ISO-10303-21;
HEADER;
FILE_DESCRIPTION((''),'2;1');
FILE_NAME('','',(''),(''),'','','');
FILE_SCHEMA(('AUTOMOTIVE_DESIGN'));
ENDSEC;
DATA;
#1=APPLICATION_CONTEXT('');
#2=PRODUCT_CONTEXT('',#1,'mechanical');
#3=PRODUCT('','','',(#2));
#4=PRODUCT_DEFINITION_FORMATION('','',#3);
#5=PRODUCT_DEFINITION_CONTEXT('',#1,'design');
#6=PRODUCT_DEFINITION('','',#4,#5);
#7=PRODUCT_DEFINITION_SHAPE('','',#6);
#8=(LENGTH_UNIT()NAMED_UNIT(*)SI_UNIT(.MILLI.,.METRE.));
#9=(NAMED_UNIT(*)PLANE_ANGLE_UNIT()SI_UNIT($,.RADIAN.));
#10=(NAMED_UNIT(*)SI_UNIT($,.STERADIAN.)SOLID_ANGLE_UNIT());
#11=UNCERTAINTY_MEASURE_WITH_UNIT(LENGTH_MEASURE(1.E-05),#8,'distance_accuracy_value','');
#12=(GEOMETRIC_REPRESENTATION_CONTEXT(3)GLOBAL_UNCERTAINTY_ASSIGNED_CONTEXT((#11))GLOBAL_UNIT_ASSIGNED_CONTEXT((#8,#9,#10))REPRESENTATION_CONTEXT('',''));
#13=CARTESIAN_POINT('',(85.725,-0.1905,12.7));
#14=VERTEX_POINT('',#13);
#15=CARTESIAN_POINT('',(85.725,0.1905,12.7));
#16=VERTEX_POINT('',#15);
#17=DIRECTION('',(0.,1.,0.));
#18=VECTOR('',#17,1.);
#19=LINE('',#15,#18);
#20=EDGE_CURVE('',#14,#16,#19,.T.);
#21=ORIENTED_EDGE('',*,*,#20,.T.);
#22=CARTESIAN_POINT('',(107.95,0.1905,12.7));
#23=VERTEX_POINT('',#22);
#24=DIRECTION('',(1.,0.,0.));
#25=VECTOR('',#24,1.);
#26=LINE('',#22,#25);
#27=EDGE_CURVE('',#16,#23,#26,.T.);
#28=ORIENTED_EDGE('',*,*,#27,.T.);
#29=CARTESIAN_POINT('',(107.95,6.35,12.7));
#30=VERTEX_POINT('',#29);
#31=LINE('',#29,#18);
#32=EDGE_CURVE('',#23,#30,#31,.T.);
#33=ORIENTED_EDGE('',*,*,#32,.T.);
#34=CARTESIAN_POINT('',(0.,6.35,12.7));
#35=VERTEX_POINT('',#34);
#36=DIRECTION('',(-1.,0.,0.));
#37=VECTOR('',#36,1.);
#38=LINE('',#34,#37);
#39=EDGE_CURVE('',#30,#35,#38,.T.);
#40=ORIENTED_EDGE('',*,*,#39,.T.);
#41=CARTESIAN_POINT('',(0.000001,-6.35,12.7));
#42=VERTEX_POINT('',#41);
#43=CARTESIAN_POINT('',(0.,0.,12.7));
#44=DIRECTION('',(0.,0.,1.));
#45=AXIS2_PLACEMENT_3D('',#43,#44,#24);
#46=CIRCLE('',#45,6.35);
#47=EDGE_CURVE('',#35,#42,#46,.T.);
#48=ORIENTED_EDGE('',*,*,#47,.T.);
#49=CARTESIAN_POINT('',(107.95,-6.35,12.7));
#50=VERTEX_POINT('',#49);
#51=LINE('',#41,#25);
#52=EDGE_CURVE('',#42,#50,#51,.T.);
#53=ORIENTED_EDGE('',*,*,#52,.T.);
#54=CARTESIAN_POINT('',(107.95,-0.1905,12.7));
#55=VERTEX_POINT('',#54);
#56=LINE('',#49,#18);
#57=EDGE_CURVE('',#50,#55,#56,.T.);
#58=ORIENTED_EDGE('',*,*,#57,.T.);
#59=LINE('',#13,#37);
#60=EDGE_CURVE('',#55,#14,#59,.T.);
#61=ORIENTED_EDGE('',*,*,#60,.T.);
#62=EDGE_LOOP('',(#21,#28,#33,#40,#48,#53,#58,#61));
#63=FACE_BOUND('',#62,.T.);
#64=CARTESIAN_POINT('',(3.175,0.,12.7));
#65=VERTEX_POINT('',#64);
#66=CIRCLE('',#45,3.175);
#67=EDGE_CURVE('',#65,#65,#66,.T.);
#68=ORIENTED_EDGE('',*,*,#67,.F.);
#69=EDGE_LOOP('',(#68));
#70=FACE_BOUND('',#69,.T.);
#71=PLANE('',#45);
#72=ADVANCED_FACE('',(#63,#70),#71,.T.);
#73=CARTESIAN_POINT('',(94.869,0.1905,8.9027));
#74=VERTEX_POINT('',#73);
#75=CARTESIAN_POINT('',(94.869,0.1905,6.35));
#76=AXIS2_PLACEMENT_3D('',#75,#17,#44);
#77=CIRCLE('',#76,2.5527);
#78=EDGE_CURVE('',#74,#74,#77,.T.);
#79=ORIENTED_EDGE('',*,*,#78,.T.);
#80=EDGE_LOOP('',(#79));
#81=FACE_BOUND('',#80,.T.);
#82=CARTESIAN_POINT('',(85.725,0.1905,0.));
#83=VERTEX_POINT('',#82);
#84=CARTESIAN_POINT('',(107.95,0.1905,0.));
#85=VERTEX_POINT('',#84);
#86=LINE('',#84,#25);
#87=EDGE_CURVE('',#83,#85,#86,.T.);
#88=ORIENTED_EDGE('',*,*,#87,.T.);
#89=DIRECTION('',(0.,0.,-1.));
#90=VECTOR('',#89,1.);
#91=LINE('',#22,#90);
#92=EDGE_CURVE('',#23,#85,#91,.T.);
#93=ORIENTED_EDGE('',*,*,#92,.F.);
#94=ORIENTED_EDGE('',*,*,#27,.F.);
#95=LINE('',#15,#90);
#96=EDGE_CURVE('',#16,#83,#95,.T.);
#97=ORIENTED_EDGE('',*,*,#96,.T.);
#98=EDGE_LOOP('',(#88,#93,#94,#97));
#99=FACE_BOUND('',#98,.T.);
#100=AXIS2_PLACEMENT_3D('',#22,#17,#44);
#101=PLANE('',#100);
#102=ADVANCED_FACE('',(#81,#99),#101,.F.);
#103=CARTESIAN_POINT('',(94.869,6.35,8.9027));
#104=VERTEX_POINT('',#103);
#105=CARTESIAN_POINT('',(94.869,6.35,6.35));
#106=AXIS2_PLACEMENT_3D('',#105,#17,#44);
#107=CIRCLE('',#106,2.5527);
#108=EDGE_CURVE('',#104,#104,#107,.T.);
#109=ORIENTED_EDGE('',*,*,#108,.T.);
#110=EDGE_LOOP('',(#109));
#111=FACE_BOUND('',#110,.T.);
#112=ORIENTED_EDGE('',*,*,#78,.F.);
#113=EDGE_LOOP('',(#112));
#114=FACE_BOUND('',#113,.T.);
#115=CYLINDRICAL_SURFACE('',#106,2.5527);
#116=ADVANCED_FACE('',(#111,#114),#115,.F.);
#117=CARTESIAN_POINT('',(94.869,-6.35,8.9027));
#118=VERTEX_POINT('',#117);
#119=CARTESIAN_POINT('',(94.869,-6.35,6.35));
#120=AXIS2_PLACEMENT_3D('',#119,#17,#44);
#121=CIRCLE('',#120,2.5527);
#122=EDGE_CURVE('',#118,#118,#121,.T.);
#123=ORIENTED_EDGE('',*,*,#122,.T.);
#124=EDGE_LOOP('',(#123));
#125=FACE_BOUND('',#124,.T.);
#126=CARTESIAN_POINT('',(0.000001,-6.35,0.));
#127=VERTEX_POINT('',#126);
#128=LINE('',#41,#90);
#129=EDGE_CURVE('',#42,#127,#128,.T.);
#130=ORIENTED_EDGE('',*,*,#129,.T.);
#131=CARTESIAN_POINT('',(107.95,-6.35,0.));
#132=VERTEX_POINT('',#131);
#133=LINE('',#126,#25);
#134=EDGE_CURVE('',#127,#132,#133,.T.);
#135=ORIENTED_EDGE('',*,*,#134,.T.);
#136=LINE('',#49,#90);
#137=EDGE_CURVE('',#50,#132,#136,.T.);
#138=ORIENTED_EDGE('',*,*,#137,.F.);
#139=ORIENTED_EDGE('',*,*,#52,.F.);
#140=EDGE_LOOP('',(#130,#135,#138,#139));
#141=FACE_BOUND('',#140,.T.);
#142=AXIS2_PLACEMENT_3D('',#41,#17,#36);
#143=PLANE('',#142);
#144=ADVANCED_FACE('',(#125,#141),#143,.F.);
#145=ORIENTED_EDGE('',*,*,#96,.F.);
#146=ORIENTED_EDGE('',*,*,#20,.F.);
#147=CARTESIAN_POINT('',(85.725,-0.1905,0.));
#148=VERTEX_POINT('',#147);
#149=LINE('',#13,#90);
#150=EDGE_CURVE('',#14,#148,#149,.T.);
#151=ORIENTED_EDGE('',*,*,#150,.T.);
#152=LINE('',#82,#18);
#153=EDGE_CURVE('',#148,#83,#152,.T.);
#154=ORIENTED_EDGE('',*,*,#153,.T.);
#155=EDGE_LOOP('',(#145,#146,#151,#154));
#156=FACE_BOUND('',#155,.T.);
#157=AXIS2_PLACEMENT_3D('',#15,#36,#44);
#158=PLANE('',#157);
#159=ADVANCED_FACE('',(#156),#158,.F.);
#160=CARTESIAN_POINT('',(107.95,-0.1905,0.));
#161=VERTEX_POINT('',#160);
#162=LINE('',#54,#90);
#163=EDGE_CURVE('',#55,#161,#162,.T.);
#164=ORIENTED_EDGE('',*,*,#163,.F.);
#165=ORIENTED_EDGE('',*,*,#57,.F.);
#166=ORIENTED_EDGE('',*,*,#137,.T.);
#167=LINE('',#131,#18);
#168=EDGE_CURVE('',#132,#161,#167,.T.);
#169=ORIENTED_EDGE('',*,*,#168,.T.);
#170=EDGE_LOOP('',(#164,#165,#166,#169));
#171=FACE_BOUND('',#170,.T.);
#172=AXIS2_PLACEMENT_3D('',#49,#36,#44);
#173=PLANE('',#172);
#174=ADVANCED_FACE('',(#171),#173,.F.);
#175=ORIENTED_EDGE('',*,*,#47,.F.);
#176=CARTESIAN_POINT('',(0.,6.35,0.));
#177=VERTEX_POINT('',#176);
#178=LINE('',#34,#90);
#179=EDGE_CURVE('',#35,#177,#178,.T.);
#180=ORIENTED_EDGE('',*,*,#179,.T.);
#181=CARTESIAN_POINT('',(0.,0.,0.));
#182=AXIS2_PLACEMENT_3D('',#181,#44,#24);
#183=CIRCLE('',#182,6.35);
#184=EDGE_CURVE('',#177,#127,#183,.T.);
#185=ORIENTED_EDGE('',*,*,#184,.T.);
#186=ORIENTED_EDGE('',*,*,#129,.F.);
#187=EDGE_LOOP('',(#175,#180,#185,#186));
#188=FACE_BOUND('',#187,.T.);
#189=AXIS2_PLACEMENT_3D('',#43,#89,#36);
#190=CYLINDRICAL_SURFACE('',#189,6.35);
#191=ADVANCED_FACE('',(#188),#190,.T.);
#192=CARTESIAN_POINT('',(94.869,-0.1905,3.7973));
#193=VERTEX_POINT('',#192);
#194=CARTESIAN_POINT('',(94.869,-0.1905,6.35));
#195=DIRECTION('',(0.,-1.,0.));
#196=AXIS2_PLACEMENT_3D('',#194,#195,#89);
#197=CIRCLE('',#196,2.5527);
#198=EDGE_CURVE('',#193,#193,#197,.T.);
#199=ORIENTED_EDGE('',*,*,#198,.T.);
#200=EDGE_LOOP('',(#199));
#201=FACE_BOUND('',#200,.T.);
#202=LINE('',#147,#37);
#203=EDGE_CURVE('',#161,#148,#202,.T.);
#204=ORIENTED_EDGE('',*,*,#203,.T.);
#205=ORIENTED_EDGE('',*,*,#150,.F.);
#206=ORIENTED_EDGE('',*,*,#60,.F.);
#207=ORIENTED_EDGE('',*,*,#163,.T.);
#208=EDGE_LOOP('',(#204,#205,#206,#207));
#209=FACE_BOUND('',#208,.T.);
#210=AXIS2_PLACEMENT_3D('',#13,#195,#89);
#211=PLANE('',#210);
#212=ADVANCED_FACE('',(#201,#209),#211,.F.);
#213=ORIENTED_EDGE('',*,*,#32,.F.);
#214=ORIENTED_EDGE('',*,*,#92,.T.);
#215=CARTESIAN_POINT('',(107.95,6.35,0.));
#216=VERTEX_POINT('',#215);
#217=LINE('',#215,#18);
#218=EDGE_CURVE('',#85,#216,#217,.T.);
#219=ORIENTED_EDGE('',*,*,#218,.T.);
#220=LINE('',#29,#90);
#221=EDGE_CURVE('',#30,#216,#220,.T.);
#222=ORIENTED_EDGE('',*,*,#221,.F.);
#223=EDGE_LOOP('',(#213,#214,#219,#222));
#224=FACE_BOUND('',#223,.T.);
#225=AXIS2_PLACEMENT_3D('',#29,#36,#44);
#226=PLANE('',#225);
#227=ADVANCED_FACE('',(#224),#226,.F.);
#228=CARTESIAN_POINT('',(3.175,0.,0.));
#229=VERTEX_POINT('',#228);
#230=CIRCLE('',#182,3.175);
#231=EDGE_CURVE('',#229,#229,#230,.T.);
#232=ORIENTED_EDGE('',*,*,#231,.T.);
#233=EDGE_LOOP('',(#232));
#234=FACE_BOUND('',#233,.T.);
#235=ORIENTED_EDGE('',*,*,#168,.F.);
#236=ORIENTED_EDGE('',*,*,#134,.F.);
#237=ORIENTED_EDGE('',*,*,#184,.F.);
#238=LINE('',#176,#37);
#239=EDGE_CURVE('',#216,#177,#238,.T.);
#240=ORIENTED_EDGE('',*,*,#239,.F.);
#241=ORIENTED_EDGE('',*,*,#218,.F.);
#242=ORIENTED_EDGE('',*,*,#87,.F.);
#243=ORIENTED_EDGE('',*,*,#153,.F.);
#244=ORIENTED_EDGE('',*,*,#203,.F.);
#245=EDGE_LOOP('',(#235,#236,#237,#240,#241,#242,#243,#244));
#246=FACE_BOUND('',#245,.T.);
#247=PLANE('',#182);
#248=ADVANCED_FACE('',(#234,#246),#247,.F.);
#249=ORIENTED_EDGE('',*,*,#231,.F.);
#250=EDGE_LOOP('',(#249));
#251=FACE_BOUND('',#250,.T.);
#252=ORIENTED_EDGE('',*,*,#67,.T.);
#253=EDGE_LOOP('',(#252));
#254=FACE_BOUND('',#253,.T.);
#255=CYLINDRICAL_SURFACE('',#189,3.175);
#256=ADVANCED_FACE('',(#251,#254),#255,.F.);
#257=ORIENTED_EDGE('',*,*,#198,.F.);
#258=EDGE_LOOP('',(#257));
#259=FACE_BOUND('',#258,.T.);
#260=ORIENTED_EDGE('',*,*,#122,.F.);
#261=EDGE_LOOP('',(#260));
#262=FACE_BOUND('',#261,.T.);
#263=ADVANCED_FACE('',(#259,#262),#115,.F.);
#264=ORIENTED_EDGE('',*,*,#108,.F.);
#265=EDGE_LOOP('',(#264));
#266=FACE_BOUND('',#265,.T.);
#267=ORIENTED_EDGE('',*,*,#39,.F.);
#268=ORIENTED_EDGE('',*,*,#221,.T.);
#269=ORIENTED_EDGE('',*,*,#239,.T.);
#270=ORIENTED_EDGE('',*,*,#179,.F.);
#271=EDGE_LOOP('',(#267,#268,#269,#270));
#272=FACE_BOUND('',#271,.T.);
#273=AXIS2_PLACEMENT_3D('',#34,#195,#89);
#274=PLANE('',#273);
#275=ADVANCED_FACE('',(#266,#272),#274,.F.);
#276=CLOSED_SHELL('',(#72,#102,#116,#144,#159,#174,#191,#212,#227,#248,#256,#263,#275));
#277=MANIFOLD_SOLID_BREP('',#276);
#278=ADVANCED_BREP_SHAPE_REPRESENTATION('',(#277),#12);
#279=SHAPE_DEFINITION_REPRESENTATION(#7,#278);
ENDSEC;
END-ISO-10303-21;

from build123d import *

# Parameters (mm, degrees)
SKETCH1_R              = 3.175
BOSS_EXTRUDE1_DEPTH    = 12.7
F_10_CLEARANCE_HOLE2_D = 5.1054


with BuildPart() as part:
    # Sketch1 → Boss-Extrude1 (new body)
    with BuildSketch(Plane.XY):
        with BuildLine():
            Line((85.725, 0.1905), (85.725, -0.1905))
            Line((85.725, -0.1905), (107.95, -0.1905))
            Line((107.95, -0.1905), (107.95, -6.35))
            Line((107.95, -6.35), (7.14e-07, -6.35))
            ThreePointArc((7.14e-07, -6.35), (-6.35, -3.57e-07), (0, 6.35))
            Line((0, 6.35), (107.95, 6.35))
            Line((107.95, 6.35), (107.95, 0.1905))
            Line((107.95, 0.1905), (85.725, 0.1905))
        make_face()
        Circle(SKETCH1_R, mode=Mode.SUBTRACT)
    extrude(amount=BOSS_EXTRUDE1_DEPTH)

    # #10 Clearance Hole2 (through all)
    with Locations(Plane(origin=(0, 6.35, 0), x_dir=(1, 0, 0), z_dir=(0, 1, 0))):
        with Locations((94.869, -6.35)):
            Hole(F_10_CLEARANCE_HOLE2_D / 2)


solid = part.part
